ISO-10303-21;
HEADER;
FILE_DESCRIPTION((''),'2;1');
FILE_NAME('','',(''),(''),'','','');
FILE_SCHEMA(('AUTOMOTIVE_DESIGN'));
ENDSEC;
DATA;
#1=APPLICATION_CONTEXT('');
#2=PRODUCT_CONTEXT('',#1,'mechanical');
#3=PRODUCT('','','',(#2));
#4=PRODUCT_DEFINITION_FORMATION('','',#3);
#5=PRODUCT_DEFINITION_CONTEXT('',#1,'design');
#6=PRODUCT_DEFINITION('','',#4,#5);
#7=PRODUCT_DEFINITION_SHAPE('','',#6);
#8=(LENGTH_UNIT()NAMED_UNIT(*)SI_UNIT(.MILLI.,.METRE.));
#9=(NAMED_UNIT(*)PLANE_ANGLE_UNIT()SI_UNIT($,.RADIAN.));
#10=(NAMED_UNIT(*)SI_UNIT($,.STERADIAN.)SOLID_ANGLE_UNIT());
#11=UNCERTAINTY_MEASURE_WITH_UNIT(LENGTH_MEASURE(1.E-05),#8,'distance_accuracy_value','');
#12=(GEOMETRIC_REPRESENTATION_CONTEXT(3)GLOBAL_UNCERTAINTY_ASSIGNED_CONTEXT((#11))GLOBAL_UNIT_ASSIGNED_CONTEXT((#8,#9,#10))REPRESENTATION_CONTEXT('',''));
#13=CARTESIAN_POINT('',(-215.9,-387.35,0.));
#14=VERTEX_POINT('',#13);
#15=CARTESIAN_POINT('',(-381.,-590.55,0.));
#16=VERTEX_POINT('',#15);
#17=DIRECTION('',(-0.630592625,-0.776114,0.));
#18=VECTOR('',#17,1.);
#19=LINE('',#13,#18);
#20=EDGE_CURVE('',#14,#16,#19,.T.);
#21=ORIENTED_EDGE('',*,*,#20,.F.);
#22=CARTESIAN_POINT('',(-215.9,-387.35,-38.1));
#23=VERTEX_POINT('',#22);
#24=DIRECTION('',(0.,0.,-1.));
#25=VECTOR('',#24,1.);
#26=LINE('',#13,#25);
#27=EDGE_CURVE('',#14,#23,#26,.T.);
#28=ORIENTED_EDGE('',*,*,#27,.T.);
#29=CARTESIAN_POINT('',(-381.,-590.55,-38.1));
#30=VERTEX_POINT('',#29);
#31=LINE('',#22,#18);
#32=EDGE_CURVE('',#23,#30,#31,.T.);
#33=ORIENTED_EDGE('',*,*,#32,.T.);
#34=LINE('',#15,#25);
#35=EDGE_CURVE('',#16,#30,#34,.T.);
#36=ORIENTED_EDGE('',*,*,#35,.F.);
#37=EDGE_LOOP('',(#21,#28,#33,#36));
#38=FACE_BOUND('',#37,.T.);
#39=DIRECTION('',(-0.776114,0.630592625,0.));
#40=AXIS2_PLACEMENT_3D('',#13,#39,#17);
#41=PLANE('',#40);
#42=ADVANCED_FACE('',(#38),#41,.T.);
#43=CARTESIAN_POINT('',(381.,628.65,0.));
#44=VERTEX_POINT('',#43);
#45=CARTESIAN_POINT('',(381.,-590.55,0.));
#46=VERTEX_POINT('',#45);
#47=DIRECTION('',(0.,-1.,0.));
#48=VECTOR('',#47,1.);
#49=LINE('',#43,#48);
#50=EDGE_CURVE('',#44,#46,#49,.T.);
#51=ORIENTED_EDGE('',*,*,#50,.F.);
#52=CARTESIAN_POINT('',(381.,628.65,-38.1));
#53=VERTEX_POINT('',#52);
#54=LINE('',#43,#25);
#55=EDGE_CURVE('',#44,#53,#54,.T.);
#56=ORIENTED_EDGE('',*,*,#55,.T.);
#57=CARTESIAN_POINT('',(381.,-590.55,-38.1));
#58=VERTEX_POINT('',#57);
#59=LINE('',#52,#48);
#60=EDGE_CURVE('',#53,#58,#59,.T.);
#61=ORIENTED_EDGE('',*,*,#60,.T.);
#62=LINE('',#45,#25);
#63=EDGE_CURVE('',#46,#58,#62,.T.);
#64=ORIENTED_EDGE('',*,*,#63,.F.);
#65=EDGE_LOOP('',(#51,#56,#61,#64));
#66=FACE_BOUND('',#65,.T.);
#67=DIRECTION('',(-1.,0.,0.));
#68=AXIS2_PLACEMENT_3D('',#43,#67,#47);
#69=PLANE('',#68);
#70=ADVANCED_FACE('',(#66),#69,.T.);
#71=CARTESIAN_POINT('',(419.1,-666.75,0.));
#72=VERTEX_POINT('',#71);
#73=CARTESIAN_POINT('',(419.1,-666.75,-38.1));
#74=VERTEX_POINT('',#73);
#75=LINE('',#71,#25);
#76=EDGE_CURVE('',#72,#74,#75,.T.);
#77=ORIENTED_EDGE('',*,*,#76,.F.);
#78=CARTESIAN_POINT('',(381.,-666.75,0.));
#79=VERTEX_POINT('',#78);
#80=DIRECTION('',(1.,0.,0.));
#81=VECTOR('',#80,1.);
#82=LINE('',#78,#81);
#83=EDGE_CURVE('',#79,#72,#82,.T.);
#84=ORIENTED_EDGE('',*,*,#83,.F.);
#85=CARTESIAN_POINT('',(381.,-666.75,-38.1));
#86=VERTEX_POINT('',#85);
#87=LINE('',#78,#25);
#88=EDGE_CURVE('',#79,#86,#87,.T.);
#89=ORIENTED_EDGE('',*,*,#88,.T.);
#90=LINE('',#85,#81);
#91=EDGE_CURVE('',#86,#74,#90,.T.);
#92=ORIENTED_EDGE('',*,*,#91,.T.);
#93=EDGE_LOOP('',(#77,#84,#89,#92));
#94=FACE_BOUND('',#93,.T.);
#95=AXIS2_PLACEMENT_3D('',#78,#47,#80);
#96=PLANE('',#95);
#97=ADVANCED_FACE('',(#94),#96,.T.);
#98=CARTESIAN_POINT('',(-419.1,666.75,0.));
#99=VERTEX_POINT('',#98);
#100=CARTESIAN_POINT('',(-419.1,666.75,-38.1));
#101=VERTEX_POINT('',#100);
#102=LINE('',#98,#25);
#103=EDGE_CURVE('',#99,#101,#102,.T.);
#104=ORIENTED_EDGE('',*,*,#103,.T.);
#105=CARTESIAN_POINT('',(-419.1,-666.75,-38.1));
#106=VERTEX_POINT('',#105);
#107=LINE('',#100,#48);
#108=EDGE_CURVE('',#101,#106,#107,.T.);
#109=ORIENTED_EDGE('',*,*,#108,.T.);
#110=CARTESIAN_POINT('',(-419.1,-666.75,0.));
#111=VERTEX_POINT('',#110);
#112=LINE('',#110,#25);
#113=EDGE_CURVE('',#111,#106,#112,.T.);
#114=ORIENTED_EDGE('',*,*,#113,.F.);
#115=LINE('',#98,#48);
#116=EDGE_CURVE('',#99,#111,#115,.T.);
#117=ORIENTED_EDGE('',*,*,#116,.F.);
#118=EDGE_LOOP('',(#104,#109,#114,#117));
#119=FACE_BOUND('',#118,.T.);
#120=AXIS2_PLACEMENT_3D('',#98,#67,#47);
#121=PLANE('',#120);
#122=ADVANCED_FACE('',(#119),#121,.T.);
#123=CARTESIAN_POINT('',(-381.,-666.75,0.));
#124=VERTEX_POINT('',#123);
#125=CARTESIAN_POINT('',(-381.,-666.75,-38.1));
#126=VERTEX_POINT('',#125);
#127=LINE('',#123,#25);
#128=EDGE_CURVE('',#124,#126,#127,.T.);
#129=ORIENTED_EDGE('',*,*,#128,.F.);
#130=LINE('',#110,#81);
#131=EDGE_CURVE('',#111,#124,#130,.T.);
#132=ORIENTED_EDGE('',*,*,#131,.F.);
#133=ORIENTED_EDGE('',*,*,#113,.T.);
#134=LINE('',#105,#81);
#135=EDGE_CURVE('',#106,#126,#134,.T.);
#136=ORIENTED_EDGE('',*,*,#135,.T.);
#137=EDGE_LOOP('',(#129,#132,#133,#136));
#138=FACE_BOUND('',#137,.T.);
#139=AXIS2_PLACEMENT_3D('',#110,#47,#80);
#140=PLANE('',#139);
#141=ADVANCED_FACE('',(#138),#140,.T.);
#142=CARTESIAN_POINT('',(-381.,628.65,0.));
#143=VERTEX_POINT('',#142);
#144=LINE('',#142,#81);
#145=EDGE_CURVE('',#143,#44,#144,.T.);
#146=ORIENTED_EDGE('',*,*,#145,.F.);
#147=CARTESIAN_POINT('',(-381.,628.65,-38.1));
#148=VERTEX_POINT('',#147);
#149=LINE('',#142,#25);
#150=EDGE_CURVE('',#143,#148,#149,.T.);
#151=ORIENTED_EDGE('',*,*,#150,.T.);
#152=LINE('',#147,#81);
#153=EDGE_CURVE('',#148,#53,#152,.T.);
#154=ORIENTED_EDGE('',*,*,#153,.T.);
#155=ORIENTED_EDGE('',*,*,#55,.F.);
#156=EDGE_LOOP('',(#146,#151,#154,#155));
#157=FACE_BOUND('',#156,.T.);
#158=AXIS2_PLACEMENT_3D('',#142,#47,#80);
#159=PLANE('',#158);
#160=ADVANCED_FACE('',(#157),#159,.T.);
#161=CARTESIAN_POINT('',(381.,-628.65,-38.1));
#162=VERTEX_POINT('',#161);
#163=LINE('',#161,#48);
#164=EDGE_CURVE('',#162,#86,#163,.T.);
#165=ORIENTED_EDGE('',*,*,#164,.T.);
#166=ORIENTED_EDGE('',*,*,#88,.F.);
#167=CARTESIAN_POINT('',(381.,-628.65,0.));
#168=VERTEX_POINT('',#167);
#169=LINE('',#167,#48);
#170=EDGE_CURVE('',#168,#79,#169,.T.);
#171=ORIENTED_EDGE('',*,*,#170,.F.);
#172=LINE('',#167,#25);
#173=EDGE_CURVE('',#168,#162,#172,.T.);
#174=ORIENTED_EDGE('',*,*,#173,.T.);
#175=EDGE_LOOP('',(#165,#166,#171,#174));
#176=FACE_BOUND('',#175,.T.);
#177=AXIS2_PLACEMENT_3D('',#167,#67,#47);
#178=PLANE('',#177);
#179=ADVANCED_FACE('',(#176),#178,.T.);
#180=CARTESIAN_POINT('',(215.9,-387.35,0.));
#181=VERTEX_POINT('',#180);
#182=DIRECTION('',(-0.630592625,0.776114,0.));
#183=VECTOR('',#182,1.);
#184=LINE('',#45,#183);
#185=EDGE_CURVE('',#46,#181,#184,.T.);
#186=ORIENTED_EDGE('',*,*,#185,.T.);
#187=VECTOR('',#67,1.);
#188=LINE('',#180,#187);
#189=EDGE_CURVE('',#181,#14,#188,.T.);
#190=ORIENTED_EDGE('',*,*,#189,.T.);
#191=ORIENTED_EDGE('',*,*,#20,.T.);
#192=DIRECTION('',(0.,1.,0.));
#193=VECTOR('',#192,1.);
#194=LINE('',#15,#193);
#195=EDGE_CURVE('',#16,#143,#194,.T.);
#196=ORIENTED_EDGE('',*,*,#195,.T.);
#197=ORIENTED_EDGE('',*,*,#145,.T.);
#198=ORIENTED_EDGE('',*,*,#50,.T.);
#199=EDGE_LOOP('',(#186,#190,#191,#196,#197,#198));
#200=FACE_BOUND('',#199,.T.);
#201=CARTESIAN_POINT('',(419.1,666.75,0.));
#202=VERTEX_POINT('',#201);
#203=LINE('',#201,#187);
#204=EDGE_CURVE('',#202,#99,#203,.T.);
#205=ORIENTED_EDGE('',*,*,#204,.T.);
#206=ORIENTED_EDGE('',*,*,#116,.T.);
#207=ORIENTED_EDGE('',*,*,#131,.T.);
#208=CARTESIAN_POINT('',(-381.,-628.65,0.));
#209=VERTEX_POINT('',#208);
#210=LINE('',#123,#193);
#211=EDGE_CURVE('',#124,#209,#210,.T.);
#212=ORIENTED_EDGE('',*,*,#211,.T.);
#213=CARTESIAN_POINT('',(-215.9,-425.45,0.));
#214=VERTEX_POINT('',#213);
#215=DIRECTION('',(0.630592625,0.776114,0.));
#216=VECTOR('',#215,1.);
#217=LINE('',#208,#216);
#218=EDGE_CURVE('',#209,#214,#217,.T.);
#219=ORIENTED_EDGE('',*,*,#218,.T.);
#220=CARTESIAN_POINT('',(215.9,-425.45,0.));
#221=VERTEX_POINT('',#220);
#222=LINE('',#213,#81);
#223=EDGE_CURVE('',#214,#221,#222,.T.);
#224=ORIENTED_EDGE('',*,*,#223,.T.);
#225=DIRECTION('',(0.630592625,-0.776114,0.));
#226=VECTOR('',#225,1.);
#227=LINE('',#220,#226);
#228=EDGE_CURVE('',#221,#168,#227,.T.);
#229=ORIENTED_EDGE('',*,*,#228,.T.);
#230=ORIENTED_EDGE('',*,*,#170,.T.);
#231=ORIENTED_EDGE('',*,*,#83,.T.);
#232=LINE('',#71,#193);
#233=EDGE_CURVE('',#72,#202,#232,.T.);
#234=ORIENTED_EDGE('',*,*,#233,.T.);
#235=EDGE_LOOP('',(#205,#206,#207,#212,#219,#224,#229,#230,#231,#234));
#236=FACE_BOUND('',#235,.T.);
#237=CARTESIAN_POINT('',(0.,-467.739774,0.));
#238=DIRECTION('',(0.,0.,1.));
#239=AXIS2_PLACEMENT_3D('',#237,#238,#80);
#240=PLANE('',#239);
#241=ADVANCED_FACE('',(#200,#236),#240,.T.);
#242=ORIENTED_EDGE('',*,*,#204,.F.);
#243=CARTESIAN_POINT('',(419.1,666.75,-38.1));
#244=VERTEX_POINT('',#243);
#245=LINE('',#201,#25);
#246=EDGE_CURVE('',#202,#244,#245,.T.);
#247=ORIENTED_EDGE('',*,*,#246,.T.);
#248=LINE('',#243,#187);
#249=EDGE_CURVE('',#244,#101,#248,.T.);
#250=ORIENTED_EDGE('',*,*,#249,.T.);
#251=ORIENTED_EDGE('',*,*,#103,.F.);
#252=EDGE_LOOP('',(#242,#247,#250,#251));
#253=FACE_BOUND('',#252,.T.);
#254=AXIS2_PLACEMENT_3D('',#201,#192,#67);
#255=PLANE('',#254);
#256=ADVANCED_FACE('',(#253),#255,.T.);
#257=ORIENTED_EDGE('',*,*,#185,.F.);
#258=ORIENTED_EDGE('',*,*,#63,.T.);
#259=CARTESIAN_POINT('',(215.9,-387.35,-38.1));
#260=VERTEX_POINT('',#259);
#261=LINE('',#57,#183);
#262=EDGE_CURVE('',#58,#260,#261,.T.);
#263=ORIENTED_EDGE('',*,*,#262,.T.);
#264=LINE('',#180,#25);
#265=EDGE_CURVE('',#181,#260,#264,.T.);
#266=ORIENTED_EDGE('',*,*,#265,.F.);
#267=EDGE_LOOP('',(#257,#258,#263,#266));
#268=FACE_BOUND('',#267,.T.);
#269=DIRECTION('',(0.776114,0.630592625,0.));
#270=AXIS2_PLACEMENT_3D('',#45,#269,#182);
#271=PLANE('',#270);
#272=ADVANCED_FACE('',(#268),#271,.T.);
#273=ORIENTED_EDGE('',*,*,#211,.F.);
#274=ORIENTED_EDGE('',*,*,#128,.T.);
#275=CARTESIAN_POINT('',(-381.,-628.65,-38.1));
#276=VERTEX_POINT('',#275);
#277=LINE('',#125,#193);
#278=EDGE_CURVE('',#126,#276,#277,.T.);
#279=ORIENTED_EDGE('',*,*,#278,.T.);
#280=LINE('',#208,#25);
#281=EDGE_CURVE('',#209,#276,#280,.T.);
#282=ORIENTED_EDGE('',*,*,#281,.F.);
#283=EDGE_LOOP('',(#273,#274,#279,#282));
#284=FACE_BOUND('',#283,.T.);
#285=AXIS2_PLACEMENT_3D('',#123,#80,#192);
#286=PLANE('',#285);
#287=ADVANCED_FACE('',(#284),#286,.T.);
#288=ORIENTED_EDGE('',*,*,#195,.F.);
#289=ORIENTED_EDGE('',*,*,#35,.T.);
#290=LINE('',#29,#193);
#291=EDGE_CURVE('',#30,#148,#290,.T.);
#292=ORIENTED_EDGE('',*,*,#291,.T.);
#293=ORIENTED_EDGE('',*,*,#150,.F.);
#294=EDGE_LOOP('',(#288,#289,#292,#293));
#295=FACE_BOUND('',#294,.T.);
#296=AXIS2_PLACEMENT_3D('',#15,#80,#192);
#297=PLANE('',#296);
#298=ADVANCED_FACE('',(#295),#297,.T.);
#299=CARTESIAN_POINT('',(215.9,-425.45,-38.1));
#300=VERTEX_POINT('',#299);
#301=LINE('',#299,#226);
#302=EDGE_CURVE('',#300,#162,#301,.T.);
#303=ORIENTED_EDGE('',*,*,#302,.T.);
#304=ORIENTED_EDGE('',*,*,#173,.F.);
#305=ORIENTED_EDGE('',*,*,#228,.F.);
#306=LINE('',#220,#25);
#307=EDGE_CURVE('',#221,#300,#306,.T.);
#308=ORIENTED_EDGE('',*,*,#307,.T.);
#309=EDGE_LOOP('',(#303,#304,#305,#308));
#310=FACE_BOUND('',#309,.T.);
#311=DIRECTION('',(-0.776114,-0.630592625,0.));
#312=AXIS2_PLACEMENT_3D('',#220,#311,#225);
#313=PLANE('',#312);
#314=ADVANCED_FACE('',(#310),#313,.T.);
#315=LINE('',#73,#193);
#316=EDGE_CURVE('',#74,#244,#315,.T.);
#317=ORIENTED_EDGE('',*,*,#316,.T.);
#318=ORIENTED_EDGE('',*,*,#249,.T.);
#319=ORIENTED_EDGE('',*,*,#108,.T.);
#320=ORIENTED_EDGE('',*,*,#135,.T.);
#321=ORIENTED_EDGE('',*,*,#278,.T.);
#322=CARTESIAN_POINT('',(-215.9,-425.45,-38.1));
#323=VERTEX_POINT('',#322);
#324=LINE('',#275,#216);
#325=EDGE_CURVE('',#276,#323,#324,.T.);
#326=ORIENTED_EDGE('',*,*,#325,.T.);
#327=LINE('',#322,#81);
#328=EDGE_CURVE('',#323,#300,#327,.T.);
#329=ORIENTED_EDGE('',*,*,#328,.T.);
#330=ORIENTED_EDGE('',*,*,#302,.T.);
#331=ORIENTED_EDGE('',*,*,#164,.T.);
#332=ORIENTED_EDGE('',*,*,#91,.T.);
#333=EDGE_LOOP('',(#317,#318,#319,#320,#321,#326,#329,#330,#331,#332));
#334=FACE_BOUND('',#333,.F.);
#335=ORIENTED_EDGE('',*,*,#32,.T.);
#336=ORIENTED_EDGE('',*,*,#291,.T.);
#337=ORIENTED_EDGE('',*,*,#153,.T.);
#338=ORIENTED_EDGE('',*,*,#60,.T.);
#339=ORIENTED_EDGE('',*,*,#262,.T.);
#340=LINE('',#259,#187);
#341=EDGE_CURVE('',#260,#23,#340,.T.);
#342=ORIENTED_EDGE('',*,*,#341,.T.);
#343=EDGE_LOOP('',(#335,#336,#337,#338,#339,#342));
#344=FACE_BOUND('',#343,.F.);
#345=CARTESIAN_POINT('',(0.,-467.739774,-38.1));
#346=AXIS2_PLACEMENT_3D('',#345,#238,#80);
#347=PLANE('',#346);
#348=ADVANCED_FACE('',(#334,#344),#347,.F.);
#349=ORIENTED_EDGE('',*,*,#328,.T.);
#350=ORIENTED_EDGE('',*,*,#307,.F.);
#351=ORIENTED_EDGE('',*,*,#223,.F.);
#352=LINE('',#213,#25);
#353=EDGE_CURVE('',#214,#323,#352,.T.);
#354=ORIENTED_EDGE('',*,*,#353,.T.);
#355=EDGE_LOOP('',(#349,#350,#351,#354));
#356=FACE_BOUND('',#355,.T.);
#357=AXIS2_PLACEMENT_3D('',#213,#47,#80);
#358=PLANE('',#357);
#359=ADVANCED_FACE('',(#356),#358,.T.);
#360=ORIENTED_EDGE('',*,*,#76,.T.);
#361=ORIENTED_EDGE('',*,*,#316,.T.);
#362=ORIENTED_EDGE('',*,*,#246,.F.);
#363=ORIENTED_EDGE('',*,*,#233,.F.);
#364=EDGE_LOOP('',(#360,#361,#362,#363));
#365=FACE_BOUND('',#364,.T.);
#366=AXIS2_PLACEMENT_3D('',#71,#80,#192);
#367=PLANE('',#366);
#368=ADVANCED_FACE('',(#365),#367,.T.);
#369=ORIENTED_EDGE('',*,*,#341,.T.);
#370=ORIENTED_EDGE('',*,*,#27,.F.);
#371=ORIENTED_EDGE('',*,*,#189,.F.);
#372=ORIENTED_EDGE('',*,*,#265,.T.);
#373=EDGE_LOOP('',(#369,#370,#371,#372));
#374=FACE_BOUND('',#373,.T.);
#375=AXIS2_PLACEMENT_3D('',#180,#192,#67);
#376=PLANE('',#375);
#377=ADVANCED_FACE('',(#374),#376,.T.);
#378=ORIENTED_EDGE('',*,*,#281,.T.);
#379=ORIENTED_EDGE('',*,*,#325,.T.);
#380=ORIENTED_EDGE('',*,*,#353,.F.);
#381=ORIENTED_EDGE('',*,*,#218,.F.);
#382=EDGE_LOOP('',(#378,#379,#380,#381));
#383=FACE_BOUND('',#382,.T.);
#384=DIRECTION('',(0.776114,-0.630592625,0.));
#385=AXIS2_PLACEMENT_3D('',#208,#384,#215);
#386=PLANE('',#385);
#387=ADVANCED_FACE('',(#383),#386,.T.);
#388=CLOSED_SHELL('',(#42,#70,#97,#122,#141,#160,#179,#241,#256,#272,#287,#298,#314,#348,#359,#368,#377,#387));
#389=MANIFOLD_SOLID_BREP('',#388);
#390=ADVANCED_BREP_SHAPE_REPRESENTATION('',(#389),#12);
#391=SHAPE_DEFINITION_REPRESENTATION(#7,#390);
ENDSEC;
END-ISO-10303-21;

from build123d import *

# Parameters (mm, degrees)
F1_DEPTH = 38.1


with BuildPart() as f1:
    # F0 (on Top) → F1 (new body)
    with BuildSketch(Plane.XY):
        Polygon((-381, -590.55), (-381, -628.65), (-215.9, -425.45), (215.9, -425.45), (381, -628.65), (381, -590.55), (215.9, -387.35), (-215.9, -387.35), align=None)
        Polygon((419.1, 666.75), (-419.1, 666.75), (-419.1, -666.75), (-381, -666.75), (-381, -628.65), (-381, -590.55), (-381, 628.65), (381, 628.65), (381, -590.55), (381, -628.65), (381, -666.75), (419.1, -666.75), align=None)
    extrude(amount=-F1_DEPTH)


solid = f1.part
